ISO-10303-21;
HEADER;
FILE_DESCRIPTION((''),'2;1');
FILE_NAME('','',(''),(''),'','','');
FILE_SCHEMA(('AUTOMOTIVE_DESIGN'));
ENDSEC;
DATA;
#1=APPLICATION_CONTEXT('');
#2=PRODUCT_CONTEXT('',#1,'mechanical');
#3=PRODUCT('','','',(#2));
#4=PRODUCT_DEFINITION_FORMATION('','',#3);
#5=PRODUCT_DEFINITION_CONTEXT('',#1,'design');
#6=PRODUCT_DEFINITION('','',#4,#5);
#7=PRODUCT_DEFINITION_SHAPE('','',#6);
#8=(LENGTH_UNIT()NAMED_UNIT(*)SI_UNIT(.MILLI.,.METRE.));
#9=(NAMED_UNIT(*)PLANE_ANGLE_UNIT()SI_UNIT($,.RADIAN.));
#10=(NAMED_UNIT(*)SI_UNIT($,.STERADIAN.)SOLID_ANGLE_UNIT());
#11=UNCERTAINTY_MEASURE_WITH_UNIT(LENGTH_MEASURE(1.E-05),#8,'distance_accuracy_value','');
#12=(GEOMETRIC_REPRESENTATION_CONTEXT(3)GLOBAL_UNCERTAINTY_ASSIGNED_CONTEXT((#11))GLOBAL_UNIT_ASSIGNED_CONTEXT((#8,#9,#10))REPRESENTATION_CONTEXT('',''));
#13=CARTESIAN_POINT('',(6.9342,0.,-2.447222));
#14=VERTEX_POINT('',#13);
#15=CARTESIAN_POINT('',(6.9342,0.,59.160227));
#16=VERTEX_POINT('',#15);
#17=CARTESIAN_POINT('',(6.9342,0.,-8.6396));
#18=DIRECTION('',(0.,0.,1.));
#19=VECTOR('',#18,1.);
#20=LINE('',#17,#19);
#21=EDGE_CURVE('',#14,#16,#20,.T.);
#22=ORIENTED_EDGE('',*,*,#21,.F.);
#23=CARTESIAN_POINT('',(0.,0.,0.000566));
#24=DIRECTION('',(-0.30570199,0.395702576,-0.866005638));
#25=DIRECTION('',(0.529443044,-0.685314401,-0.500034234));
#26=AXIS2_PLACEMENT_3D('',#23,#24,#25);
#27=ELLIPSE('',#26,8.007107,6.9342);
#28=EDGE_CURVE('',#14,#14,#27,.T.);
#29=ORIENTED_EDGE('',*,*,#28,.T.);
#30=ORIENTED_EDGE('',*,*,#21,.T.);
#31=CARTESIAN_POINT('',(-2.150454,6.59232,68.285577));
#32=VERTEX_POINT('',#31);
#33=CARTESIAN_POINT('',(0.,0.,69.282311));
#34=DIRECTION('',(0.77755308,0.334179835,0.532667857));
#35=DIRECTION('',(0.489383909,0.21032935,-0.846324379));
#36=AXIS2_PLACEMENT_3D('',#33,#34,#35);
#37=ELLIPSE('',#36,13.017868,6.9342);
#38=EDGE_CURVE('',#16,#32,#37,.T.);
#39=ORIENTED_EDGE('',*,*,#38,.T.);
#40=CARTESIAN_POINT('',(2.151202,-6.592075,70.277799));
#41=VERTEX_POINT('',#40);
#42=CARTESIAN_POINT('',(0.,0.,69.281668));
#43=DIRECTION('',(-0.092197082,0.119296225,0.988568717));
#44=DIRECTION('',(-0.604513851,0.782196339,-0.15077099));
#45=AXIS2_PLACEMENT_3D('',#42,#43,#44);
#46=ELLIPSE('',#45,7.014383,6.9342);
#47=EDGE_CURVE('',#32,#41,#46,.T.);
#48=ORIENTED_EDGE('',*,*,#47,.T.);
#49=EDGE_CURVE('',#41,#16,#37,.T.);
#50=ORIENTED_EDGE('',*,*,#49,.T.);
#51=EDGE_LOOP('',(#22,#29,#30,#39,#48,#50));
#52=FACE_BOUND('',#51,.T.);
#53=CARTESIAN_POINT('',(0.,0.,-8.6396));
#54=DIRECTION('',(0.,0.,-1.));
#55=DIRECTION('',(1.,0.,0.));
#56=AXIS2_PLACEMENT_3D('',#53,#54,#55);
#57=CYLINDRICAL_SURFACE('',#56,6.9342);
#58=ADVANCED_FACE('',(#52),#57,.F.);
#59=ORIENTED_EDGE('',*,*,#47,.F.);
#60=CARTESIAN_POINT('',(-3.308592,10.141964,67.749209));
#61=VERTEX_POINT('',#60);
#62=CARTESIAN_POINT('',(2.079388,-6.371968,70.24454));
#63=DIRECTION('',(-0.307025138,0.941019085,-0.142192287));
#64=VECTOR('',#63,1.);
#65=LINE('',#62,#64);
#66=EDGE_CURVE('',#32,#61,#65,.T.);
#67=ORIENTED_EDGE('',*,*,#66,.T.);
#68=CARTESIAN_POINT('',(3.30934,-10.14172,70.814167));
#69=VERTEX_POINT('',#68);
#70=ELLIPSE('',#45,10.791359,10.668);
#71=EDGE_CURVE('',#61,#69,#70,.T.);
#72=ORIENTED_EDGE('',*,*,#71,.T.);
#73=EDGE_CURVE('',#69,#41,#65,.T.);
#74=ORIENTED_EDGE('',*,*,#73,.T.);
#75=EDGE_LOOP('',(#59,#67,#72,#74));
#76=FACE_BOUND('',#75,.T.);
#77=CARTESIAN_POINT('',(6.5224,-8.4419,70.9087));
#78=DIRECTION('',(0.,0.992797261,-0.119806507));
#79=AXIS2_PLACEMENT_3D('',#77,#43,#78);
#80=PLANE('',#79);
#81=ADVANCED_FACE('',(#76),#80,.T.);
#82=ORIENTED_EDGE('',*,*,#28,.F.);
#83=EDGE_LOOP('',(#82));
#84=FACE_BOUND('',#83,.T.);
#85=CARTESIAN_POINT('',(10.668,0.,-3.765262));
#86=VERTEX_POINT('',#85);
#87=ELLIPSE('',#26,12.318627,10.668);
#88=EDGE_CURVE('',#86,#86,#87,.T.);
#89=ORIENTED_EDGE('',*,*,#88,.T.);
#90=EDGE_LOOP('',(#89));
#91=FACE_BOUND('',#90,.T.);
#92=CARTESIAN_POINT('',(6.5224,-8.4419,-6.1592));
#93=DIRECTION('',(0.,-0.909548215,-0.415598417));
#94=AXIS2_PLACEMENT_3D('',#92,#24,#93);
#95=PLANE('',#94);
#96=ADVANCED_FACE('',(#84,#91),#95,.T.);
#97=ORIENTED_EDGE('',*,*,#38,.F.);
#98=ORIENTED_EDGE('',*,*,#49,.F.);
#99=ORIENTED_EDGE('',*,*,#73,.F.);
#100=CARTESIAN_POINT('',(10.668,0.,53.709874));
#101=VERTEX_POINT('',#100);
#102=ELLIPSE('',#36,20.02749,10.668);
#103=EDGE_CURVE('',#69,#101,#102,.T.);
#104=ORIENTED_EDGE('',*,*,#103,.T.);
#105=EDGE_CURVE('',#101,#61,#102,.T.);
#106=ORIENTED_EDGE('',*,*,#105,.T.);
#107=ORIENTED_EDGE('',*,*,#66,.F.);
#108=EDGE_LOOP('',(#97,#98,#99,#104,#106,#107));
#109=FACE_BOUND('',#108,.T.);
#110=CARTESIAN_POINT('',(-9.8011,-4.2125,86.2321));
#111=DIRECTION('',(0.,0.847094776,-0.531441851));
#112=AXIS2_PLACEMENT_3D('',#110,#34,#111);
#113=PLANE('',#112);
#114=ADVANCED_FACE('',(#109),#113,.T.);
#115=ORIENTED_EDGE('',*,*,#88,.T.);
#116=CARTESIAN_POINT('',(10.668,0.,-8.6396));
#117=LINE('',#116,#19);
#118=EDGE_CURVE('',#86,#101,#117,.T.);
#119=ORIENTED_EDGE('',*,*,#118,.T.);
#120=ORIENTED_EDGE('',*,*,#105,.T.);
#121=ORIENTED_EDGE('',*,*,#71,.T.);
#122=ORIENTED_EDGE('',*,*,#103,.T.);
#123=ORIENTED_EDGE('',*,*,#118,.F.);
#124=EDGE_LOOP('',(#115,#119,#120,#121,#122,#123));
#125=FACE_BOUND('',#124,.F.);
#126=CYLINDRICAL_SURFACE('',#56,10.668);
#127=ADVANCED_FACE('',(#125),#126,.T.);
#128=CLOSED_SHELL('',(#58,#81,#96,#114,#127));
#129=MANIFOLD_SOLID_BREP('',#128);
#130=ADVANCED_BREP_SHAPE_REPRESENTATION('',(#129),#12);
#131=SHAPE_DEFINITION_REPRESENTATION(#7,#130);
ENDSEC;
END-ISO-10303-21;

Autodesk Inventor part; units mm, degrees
ref_plane "Start Plane" through (0, 0, -8.6396) normal (0, 0, 1) x (1, 0, 0)
ref_plane "End Plane" through (0, 0, 70.8143) normal (0, 0, 1) x (1, 0, 0)
sketch "Sketch" plane through (0, 0, 0) normal (0, 0, 1) x (1, 0, 0)
  circle A0 centre (0, 0) radius 6.9342
  circle A1 centre (0, 0) radius 10.668
  dimension "d0" = 21.336
  dimension "d1" = 3.7338
extrude "Body" add sketch "Sketch" along normal up to surface (79.4539 mm away) from surface at -8.6396
sketch "Sketch3" plane through (0, 0, 0) normal (0, 0, 1) x (1, 0, 0)
  line L0 (0, 0) -> (10, 0)
ref_plane "Work Plane3" through (0, 0, 0) normal (0, -1, 0) x (1, 0, 0)
sketch "Sketch4" plane through (0, 0, 0) normal (0, -1, 0) x (1, 0, 0)
  line L0 (-2, -8.6396) -> (12, -8.6396)
  line L1 (-2, 70.8143) -> (12, 70.8143)
  dimension "d7" = 79.4539
ref_plane "Work Plane4" through (6.5224, -8.4419, -6.1592) normal (-0.3057, 0.3957, -0.866) x (0.3025, 0.9028, 0.3057)
split "Split1" plane through (6.5224, -8.4419, -6.1592) removes the side toward (-0.3057, 0.3957, -0.866)
ref_plane "Work Plane5" through (6.5224, -8.4419, 70.9087) normal (-0.0922, 0.1193, 0.9886) x (0.9957, 0.0055, 0.0922)
split "Split2" plane through (6.5224, -8.4419, 70.9087) removes the side toward (-0.0922, 0.1193, 0.9886)
ref_plane "Work Plane6" through (-9.8011, -4.2125, 86.2321) normal (0.7776, 0.3342, 0.5327) x (0.6055, -0.1695, -0.7776)
split "Split3" plane through (-9.8011, -4.2125, 86.2321) removes the side toward (0.7776, 0.3342, 0.5327)
equation "\"d0\" = G_H"
equation "\"d1\" = G_T"
equation "\"d2\" = G_L"
equation "\"G_H\" = 21.336"
equation "\"G_T\" = 3.7338"
equation "\"G_L\" = 76.97342"
equation "\"G_OFFSET_START\" = 8.6396"
equation "\"G_OFFSET_END\" = 1.53222"
equation "\"d4\" = -G_OFFSET_START"
equation "\"d5\" = G_OFFSET_END + B_L"
equation "\"B_L\" = 69.28203"
properties part number "ANSI - 1/2 x 0.147 - 3.03" material "Steel, Mild"
